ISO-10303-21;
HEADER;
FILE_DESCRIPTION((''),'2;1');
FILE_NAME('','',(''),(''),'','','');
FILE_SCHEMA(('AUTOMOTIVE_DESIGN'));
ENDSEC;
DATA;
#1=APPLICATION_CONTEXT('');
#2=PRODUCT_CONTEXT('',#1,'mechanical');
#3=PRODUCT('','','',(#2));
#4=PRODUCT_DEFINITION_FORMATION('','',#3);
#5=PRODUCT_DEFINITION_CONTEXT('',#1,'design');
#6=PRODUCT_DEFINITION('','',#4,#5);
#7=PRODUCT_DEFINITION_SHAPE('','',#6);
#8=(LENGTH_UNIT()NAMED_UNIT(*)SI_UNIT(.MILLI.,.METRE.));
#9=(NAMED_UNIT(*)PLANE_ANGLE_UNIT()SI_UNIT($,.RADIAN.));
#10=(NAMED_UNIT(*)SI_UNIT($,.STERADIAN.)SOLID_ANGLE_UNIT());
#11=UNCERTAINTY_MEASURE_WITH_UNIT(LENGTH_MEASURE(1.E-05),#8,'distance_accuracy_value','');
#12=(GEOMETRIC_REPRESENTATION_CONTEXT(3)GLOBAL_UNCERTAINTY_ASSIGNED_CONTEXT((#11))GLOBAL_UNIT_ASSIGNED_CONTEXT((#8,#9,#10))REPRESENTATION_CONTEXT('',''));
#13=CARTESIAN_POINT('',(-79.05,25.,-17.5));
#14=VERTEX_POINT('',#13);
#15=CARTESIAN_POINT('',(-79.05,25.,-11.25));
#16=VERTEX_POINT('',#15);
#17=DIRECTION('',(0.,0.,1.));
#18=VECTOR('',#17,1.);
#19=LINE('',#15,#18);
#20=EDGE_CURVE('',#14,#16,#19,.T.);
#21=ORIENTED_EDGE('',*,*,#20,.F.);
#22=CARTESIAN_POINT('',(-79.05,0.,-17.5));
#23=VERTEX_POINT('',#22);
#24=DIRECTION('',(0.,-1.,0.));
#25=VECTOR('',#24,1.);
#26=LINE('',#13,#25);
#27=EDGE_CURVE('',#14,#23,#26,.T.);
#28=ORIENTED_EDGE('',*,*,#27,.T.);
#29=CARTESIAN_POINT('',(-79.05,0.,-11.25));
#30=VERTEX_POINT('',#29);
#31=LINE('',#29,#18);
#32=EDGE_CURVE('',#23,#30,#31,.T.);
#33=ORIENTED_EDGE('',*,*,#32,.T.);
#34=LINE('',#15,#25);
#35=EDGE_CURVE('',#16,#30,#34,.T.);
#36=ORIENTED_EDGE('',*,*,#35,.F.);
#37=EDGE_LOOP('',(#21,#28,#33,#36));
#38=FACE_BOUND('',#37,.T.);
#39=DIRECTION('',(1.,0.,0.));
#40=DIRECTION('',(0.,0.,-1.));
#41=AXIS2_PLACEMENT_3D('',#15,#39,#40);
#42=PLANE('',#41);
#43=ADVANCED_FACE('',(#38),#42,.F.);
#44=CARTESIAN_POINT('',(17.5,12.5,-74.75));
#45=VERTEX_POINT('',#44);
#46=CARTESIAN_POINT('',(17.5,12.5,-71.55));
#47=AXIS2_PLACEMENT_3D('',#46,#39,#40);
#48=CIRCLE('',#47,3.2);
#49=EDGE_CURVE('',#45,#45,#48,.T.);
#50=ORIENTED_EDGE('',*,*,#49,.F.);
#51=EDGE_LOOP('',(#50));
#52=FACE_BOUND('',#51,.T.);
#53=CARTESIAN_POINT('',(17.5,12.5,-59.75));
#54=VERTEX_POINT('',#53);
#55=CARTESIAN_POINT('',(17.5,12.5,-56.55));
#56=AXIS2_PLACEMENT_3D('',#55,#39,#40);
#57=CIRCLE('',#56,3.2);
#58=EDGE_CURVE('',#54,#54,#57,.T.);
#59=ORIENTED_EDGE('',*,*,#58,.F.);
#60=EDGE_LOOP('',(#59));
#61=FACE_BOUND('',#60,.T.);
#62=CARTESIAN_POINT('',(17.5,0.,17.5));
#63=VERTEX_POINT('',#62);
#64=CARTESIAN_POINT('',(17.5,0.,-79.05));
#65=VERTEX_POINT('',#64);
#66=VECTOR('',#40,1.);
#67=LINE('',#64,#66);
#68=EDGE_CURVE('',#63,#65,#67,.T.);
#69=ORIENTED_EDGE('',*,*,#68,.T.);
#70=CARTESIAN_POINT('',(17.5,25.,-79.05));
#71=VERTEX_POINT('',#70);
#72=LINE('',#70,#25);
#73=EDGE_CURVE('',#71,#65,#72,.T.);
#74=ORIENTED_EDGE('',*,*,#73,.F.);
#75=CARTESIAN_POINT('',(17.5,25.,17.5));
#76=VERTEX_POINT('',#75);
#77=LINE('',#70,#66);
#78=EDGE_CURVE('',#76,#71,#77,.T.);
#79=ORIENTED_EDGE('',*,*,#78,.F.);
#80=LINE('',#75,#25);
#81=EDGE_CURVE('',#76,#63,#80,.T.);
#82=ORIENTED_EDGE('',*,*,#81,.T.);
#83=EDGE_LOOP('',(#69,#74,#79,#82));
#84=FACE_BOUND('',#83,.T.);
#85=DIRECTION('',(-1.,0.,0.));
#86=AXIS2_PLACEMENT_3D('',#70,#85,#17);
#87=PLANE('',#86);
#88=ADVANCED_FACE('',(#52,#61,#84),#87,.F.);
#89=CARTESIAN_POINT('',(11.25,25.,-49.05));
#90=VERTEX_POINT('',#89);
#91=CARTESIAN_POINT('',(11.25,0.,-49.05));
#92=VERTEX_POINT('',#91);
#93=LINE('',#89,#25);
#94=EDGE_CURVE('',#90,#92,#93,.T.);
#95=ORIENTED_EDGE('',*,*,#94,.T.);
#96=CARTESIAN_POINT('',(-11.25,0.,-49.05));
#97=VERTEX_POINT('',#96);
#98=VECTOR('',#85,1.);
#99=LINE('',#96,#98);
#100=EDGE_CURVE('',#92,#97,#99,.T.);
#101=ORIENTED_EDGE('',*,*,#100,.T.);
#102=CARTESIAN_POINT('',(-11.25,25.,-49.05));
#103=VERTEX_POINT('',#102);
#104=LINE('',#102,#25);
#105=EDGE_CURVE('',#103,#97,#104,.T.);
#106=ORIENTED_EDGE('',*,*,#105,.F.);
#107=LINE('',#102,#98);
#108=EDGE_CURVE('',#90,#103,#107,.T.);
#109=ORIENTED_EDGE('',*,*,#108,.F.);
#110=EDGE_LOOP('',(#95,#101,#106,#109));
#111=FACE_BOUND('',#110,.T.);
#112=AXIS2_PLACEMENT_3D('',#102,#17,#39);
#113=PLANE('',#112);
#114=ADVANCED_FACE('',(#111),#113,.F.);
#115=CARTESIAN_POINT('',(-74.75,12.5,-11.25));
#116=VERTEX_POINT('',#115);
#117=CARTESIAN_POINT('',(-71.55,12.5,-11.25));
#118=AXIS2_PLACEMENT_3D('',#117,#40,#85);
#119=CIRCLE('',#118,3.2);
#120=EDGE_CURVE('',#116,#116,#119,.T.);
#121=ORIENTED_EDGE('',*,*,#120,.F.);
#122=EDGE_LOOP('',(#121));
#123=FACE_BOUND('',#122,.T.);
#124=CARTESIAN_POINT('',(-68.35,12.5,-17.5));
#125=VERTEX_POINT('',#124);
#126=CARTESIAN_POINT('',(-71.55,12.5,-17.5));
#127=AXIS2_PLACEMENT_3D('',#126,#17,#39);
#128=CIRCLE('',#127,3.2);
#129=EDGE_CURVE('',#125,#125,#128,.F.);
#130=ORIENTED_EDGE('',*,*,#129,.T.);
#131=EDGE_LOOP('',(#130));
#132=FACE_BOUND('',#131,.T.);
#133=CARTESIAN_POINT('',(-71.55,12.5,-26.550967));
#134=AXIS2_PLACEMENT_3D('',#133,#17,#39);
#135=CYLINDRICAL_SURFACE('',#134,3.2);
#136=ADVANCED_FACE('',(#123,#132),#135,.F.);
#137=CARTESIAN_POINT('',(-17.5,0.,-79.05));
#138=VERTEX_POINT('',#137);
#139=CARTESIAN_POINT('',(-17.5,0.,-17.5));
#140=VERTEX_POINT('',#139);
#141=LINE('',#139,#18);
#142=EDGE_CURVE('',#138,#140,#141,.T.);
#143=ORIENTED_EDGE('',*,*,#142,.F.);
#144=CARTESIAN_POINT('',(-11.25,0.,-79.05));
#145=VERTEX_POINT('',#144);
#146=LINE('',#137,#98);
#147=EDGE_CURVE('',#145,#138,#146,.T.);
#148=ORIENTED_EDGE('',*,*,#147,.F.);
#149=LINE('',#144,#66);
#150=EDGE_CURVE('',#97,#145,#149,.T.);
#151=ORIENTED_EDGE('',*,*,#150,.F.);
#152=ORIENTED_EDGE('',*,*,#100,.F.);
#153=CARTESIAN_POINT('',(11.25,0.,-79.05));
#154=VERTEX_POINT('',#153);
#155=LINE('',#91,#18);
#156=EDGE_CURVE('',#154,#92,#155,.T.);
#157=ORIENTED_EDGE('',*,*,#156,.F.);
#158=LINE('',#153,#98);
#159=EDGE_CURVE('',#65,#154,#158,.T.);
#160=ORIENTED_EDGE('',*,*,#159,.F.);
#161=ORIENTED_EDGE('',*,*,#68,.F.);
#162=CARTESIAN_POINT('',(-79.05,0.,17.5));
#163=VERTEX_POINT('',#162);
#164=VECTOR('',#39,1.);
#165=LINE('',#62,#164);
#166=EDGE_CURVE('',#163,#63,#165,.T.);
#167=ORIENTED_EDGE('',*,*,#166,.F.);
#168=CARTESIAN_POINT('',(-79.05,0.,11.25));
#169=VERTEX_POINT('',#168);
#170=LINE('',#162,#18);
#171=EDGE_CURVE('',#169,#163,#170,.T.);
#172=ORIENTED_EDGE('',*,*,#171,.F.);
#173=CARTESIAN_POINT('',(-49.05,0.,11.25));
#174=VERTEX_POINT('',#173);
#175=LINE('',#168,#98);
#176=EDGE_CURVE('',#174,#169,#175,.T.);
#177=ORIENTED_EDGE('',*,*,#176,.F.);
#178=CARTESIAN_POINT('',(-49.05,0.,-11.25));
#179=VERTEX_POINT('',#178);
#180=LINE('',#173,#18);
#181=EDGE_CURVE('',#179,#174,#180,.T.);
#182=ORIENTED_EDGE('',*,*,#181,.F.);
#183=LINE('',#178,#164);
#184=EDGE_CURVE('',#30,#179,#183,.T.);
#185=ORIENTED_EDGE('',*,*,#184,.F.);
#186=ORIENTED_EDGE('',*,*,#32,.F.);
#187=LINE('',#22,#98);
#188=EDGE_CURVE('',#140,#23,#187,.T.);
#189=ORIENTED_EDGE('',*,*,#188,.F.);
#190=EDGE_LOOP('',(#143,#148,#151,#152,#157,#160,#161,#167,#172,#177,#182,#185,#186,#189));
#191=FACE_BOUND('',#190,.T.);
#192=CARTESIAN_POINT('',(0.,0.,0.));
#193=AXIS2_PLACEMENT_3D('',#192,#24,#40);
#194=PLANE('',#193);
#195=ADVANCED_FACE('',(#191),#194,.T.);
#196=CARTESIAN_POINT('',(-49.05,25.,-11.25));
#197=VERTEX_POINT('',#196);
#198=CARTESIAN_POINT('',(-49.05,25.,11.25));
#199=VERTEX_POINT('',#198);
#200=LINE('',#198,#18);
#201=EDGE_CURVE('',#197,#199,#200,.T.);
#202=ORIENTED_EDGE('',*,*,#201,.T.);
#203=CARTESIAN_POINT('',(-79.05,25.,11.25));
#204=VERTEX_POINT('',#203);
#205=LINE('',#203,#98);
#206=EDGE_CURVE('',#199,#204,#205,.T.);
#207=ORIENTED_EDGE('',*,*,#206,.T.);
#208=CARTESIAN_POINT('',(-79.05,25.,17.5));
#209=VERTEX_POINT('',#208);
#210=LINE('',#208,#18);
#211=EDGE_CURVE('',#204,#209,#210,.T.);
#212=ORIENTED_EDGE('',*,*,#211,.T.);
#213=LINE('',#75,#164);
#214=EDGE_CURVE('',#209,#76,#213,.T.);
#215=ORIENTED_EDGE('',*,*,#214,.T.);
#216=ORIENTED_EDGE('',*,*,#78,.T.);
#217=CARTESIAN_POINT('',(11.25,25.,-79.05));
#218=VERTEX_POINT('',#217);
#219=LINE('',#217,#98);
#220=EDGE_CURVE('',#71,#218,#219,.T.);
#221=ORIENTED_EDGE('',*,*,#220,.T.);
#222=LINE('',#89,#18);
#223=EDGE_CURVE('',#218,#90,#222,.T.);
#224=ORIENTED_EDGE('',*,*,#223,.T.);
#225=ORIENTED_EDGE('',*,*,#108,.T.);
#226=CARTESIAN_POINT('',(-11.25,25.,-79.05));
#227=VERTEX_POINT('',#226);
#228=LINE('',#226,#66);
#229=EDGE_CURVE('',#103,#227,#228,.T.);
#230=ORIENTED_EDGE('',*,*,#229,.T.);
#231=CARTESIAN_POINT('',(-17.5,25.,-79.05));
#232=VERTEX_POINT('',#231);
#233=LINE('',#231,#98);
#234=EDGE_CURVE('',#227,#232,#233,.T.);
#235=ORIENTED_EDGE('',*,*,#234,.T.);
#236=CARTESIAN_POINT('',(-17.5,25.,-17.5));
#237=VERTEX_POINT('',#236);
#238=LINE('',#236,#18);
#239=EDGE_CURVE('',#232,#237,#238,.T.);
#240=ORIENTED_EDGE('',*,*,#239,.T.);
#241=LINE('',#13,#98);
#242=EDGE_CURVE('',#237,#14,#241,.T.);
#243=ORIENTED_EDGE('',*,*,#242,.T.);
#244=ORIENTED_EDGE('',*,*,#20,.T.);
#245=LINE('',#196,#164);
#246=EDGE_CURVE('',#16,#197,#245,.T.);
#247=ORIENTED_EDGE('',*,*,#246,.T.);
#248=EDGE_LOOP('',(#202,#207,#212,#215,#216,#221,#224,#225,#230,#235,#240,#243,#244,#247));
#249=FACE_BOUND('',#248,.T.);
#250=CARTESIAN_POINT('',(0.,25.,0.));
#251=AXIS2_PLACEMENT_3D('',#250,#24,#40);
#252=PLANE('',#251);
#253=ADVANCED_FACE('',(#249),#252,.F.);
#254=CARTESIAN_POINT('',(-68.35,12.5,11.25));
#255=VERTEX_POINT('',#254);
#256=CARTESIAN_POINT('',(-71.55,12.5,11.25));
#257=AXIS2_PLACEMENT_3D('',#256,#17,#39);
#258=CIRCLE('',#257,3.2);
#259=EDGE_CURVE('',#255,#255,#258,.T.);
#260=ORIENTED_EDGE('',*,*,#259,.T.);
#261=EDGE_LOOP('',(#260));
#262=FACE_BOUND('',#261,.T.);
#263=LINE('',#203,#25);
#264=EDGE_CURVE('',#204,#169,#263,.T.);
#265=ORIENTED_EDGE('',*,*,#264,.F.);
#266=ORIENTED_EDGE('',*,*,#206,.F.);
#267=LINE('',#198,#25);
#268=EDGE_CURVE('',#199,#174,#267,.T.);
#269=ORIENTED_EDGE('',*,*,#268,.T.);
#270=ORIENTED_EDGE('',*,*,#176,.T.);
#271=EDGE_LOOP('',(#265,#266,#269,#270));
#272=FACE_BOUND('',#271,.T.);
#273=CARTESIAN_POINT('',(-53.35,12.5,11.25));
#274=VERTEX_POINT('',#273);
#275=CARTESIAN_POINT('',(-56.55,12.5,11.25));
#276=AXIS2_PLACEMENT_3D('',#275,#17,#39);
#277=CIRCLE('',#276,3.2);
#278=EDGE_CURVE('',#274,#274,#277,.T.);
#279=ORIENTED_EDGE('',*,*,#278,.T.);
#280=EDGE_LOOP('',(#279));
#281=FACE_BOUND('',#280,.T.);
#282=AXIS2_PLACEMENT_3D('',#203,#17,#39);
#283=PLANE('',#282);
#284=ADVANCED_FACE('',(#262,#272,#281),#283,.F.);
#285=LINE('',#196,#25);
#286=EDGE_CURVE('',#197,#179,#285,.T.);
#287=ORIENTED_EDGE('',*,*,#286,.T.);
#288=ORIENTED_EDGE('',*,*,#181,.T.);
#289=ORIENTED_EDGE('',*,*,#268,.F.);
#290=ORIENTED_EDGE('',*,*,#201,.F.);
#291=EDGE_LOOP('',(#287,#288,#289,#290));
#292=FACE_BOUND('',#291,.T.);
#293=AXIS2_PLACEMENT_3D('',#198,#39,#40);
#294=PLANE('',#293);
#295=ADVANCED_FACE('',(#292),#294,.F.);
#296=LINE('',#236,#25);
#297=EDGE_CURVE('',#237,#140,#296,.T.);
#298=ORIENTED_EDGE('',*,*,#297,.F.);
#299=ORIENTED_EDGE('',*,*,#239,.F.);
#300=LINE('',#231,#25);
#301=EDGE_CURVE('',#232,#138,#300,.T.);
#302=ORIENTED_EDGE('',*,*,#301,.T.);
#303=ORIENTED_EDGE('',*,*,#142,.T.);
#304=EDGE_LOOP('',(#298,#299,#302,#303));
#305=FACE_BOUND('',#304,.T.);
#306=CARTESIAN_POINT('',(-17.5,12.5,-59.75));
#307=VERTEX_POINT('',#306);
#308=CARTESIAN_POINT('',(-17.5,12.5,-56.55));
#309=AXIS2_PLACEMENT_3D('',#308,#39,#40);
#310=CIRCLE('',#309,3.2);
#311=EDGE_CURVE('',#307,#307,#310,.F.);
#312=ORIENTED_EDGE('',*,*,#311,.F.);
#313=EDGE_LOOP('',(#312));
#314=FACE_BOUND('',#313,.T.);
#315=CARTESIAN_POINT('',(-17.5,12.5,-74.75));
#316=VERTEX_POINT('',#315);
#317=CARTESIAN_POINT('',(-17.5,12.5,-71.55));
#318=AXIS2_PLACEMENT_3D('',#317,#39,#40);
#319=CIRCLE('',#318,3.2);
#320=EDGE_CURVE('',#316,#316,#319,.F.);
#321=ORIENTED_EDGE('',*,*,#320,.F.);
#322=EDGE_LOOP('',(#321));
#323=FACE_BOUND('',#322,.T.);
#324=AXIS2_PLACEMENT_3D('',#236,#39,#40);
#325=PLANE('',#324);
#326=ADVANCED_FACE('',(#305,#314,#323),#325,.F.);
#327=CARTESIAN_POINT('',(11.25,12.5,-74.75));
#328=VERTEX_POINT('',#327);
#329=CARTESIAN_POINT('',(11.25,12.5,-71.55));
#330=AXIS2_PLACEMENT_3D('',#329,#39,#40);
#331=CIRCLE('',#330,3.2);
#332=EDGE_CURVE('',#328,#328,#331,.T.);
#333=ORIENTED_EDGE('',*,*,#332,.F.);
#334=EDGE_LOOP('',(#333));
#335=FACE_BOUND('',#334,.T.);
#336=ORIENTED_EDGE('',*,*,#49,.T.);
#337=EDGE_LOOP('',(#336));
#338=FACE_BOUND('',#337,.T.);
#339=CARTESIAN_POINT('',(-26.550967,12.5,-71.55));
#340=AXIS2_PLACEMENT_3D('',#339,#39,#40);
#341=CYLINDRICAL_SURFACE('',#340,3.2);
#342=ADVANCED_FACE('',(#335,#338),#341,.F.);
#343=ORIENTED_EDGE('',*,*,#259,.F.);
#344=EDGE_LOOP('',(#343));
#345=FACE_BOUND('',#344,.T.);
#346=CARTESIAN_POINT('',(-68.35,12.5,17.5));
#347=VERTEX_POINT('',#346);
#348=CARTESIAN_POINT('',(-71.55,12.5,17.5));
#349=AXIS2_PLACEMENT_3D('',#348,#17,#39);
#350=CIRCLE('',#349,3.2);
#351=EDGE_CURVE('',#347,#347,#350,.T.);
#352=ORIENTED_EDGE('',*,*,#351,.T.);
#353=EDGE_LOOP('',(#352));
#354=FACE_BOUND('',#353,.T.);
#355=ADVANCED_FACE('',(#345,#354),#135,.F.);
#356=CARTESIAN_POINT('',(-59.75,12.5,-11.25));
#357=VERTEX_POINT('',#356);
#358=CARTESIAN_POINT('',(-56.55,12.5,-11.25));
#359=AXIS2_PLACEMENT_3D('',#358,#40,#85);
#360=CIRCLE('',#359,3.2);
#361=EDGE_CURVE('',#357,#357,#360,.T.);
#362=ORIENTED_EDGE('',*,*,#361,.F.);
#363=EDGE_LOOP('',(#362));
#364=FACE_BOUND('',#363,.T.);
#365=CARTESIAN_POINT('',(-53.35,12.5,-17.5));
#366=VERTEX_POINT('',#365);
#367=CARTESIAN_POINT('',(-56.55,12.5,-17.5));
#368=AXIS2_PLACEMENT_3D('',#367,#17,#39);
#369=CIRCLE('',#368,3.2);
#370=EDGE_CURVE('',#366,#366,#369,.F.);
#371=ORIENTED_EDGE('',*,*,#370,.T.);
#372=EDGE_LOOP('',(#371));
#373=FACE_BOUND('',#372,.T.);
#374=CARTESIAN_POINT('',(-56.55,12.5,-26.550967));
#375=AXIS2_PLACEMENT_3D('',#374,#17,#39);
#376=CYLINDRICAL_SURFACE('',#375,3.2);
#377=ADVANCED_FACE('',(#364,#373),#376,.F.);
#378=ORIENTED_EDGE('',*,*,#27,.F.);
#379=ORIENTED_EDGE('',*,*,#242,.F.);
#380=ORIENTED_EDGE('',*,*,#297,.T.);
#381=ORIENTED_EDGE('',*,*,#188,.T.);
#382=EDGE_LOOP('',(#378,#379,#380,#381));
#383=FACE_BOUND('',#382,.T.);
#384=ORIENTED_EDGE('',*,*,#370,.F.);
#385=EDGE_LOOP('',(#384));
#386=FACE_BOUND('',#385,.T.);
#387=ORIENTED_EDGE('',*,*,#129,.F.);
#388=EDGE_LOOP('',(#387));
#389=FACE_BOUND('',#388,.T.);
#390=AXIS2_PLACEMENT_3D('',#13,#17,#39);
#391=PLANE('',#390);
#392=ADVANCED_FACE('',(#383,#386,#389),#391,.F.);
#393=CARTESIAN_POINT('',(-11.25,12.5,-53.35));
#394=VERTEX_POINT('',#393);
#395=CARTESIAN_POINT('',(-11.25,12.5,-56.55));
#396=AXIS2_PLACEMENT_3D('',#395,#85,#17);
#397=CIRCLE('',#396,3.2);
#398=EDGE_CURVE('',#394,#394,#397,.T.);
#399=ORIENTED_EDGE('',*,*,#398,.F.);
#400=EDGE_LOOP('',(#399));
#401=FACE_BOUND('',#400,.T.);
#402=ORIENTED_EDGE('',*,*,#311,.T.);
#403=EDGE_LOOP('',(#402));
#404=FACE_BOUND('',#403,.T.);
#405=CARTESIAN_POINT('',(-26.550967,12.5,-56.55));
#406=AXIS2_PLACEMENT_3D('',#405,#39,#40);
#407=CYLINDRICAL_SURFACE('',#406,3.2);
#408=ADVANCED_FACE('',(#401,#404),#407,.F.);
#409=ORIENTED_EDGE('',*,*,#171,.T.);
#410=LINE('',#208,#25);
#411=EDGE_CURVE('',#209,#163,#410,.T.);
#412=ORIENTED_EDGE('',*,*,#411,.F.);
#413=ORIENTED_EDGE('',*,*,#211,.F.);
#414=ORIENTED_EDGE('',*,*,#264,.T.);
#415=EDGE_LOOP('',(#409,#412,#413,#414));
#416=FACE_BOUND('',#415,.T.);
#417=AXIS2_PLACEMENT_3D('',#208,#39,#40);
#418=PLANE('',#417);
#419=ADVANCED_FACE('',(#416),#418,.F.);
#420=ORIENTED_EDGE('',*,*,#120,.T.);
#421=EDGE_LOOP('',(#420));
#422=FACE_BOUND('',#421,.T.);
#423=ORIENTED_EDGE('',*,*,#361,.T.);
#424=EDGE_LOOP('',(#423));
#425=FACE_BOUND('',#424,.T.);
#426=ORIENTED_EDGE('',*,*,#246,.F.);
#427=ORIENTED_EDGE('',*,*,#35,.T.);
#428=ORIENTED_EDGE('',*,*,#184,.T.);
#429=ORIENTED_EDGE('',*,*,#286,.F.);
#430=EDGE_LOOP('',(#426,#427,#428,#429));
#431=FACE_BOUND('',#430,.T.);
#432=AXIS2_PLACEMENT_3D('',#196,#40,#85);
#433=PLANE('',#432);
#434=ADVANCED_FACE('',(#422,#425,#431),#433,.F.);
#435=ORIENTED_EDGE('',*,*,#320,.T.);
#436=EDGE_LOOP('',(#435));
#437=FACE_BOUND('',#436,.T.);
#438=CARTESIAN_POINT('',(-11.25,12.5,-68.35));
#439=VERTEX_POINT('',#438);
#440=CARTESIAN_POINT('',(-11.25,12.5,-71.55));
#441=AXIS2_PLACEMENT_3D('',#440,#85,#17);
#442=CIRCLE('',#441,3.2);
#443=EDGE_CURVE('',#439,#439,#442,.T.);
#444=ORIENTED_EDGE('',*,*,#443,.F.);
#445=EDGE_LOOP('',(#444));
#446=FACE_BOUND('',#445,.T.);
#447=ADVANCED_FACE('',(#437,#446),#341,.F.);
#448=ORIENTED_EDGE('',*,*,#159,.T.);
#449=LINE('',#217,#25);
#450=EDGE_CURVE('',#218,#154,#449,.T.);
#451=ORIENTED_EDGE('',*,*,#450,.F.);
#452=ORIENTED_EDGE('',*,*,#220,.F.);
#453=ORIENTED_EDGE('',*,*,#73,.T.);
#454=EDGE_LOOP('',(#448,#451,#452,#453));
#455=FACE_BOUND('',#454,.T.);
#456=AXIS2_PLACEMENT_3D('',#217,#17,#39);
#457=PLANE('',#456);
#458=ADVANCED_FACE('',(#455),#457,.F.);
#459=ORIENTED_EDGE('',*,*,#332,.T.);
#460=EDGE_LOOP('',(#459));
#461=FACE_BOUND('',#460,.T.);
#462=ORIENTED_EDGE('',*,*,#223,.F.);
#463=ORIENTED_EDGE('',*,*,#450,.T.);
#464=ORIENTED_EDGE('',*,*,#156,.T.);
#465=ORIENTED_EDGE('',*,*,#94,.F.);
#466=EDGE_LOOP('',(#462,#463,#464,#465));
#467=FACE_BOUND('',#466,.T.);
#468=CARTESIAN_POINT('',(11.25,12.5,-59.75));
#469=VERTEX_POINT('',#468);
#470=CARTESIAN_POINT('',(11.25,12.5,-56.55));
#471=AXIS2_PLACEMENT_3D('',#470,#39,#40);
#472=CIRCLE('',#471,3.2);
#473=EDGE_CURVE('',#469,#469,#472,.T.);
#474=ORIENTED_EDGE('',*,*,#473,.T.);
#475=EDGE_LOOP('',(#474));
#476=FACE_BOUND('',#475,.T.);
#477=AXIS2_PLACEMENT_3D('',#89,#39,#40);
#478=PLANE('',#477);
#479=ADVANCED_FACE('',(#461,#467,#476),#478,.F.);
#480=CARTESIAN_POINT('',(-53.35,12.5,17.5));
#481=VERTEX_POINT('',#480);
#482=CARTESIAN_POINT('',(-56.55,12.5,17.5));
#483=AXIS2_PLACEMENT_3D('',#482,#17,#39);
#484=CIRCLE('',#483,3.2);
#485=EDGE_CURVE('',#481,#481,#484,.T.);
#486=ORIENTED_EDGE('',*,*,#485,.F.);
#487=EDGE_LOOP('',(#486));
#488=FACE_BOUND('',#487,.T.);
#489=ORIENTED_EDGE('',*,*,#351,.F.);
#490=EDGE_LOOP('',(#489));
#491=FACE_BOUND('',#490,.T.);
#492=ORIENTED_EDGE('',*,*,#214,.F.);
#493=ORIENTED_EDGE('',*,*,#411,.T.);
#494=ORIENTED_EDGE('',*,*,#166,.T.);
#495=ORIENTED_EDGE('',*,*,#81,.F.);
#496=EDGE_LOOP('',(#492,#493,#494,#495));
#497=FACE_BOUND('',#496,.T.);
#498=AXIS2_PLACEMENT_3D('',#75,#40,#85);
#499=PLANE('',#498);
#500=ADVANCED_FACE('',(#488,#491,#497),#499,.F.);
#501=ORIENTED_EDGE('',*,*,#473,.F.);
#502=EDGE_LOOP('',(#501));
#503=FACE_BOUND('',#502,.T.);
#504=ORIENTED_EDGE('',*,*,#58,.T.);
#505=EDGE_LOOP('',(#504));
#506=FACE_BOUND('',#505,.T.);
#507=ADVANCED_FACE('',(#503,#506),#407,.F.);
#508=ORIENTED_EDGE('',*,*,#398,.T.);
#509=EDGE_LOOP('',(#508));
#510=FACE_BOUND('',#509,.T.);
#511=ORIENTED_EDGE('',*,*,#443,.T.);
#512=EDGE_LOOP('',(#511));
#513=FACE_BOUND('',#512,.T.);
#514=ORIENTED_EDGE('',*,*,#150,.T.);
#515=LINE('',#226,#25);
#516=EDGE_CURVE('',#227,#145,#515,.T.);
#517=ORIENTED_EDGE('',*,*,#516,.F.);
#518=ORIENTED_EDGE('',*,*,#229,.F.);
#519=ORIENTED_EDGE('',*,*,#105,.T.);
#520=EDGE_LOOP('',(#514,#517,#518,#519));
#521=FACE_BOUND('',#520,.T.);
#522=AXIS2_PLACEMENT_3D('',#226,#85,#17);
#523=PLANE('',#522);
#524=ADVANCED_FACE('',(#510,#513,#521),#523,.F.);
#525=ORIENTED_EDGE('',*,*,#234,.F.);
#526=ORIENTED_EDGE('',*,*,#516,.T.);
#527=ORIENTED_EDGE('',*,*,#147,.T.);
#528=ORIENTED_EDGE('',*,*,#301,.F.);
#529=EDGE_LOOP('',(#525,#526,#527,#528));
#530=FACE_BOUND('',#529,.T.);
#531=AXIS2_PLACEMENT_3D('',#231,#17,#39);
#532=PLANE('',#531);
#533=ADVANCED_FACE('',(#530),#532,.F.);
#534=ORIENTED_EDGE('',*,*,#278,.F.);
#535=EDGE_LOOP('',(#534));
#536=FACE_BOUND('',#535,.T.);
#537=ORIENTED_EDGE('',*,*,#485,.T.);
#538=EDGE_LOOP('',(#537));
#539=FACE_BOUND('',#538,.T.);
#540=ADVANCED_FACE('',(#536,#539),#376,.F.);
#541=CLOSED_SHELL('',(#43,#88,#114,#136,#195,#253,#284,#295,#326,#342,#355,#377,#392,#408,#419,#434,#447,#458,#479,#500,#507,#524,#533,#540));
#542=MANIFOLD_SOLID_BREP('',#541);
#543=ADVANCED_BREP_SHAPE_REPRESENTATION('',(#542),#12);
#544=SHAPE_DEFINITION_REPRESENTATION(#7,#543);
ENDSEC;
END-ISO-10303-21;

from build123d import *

# Parameters (mm, degrees)
EXTRUDE_1_DEPTH     = 25
SKETCH_2_R          = 3.2
CUT_EXTRUDE_1_DEPTH = 35
SKETCH_3_R          = 3.2
CUT_EXTRUDE_2_DEPTH = 35


with BuildPart() as part:
    # 스케치1 → 보스-돌출1 (new body)
    with BuildSketch(Plane(origin=(0, 0, 0), x_dir=(1, 0, 0), z_dir=(0, 1, 0))):
        Polygon((-17.5, 79.05), (-11.25, 79.05), (-11.25, 49.05), (11.25, 49.05), (11.25, 79.05), (17.5, 79.05), (17.5, -17.5), (-79.05, -17.5), (-79.05, -11.25), (-49.05, -11.25), (-49.05, 11.25), (-79.05, 11.25), (-79.05, 17.5), (-17.5, 17.5), align=None)
    extrude(amount=EXTRUDE_1_DEPTH)

    # 스케치2 → 컷-돌출1 (cut)
    with BuildSketch(Plane(origin=(17.5, 0, 0), x_dir=(0, 0, -1), z_dir=(1, 0, 0))):
        with Locations((71.55, 12.5)):
            Circle(SKETCH_2_R)
        with Locations((56.55, 12.5)):
            Circle(SKETCH_2_R)
    extrude(amount=-CUT_EXTRUDE_1_DEPTH, mode=Mode.SUBTRACT)

    # 스케치3 → 컷-돌출2 (cut)
    with BuildSketch(Plane.XY.offset(17.5)):
        with Locations((-71.55, 12.5)):
            Circle(SKETCH_3_R)
        with Locations((-56.55, 12.5)):
            Circle(SKETCH_3_R)
    extrude(amount=-CUT_EXTRUDE_2_DEPTH, mode=Mode.SUBTRACT)


solid = part.part
